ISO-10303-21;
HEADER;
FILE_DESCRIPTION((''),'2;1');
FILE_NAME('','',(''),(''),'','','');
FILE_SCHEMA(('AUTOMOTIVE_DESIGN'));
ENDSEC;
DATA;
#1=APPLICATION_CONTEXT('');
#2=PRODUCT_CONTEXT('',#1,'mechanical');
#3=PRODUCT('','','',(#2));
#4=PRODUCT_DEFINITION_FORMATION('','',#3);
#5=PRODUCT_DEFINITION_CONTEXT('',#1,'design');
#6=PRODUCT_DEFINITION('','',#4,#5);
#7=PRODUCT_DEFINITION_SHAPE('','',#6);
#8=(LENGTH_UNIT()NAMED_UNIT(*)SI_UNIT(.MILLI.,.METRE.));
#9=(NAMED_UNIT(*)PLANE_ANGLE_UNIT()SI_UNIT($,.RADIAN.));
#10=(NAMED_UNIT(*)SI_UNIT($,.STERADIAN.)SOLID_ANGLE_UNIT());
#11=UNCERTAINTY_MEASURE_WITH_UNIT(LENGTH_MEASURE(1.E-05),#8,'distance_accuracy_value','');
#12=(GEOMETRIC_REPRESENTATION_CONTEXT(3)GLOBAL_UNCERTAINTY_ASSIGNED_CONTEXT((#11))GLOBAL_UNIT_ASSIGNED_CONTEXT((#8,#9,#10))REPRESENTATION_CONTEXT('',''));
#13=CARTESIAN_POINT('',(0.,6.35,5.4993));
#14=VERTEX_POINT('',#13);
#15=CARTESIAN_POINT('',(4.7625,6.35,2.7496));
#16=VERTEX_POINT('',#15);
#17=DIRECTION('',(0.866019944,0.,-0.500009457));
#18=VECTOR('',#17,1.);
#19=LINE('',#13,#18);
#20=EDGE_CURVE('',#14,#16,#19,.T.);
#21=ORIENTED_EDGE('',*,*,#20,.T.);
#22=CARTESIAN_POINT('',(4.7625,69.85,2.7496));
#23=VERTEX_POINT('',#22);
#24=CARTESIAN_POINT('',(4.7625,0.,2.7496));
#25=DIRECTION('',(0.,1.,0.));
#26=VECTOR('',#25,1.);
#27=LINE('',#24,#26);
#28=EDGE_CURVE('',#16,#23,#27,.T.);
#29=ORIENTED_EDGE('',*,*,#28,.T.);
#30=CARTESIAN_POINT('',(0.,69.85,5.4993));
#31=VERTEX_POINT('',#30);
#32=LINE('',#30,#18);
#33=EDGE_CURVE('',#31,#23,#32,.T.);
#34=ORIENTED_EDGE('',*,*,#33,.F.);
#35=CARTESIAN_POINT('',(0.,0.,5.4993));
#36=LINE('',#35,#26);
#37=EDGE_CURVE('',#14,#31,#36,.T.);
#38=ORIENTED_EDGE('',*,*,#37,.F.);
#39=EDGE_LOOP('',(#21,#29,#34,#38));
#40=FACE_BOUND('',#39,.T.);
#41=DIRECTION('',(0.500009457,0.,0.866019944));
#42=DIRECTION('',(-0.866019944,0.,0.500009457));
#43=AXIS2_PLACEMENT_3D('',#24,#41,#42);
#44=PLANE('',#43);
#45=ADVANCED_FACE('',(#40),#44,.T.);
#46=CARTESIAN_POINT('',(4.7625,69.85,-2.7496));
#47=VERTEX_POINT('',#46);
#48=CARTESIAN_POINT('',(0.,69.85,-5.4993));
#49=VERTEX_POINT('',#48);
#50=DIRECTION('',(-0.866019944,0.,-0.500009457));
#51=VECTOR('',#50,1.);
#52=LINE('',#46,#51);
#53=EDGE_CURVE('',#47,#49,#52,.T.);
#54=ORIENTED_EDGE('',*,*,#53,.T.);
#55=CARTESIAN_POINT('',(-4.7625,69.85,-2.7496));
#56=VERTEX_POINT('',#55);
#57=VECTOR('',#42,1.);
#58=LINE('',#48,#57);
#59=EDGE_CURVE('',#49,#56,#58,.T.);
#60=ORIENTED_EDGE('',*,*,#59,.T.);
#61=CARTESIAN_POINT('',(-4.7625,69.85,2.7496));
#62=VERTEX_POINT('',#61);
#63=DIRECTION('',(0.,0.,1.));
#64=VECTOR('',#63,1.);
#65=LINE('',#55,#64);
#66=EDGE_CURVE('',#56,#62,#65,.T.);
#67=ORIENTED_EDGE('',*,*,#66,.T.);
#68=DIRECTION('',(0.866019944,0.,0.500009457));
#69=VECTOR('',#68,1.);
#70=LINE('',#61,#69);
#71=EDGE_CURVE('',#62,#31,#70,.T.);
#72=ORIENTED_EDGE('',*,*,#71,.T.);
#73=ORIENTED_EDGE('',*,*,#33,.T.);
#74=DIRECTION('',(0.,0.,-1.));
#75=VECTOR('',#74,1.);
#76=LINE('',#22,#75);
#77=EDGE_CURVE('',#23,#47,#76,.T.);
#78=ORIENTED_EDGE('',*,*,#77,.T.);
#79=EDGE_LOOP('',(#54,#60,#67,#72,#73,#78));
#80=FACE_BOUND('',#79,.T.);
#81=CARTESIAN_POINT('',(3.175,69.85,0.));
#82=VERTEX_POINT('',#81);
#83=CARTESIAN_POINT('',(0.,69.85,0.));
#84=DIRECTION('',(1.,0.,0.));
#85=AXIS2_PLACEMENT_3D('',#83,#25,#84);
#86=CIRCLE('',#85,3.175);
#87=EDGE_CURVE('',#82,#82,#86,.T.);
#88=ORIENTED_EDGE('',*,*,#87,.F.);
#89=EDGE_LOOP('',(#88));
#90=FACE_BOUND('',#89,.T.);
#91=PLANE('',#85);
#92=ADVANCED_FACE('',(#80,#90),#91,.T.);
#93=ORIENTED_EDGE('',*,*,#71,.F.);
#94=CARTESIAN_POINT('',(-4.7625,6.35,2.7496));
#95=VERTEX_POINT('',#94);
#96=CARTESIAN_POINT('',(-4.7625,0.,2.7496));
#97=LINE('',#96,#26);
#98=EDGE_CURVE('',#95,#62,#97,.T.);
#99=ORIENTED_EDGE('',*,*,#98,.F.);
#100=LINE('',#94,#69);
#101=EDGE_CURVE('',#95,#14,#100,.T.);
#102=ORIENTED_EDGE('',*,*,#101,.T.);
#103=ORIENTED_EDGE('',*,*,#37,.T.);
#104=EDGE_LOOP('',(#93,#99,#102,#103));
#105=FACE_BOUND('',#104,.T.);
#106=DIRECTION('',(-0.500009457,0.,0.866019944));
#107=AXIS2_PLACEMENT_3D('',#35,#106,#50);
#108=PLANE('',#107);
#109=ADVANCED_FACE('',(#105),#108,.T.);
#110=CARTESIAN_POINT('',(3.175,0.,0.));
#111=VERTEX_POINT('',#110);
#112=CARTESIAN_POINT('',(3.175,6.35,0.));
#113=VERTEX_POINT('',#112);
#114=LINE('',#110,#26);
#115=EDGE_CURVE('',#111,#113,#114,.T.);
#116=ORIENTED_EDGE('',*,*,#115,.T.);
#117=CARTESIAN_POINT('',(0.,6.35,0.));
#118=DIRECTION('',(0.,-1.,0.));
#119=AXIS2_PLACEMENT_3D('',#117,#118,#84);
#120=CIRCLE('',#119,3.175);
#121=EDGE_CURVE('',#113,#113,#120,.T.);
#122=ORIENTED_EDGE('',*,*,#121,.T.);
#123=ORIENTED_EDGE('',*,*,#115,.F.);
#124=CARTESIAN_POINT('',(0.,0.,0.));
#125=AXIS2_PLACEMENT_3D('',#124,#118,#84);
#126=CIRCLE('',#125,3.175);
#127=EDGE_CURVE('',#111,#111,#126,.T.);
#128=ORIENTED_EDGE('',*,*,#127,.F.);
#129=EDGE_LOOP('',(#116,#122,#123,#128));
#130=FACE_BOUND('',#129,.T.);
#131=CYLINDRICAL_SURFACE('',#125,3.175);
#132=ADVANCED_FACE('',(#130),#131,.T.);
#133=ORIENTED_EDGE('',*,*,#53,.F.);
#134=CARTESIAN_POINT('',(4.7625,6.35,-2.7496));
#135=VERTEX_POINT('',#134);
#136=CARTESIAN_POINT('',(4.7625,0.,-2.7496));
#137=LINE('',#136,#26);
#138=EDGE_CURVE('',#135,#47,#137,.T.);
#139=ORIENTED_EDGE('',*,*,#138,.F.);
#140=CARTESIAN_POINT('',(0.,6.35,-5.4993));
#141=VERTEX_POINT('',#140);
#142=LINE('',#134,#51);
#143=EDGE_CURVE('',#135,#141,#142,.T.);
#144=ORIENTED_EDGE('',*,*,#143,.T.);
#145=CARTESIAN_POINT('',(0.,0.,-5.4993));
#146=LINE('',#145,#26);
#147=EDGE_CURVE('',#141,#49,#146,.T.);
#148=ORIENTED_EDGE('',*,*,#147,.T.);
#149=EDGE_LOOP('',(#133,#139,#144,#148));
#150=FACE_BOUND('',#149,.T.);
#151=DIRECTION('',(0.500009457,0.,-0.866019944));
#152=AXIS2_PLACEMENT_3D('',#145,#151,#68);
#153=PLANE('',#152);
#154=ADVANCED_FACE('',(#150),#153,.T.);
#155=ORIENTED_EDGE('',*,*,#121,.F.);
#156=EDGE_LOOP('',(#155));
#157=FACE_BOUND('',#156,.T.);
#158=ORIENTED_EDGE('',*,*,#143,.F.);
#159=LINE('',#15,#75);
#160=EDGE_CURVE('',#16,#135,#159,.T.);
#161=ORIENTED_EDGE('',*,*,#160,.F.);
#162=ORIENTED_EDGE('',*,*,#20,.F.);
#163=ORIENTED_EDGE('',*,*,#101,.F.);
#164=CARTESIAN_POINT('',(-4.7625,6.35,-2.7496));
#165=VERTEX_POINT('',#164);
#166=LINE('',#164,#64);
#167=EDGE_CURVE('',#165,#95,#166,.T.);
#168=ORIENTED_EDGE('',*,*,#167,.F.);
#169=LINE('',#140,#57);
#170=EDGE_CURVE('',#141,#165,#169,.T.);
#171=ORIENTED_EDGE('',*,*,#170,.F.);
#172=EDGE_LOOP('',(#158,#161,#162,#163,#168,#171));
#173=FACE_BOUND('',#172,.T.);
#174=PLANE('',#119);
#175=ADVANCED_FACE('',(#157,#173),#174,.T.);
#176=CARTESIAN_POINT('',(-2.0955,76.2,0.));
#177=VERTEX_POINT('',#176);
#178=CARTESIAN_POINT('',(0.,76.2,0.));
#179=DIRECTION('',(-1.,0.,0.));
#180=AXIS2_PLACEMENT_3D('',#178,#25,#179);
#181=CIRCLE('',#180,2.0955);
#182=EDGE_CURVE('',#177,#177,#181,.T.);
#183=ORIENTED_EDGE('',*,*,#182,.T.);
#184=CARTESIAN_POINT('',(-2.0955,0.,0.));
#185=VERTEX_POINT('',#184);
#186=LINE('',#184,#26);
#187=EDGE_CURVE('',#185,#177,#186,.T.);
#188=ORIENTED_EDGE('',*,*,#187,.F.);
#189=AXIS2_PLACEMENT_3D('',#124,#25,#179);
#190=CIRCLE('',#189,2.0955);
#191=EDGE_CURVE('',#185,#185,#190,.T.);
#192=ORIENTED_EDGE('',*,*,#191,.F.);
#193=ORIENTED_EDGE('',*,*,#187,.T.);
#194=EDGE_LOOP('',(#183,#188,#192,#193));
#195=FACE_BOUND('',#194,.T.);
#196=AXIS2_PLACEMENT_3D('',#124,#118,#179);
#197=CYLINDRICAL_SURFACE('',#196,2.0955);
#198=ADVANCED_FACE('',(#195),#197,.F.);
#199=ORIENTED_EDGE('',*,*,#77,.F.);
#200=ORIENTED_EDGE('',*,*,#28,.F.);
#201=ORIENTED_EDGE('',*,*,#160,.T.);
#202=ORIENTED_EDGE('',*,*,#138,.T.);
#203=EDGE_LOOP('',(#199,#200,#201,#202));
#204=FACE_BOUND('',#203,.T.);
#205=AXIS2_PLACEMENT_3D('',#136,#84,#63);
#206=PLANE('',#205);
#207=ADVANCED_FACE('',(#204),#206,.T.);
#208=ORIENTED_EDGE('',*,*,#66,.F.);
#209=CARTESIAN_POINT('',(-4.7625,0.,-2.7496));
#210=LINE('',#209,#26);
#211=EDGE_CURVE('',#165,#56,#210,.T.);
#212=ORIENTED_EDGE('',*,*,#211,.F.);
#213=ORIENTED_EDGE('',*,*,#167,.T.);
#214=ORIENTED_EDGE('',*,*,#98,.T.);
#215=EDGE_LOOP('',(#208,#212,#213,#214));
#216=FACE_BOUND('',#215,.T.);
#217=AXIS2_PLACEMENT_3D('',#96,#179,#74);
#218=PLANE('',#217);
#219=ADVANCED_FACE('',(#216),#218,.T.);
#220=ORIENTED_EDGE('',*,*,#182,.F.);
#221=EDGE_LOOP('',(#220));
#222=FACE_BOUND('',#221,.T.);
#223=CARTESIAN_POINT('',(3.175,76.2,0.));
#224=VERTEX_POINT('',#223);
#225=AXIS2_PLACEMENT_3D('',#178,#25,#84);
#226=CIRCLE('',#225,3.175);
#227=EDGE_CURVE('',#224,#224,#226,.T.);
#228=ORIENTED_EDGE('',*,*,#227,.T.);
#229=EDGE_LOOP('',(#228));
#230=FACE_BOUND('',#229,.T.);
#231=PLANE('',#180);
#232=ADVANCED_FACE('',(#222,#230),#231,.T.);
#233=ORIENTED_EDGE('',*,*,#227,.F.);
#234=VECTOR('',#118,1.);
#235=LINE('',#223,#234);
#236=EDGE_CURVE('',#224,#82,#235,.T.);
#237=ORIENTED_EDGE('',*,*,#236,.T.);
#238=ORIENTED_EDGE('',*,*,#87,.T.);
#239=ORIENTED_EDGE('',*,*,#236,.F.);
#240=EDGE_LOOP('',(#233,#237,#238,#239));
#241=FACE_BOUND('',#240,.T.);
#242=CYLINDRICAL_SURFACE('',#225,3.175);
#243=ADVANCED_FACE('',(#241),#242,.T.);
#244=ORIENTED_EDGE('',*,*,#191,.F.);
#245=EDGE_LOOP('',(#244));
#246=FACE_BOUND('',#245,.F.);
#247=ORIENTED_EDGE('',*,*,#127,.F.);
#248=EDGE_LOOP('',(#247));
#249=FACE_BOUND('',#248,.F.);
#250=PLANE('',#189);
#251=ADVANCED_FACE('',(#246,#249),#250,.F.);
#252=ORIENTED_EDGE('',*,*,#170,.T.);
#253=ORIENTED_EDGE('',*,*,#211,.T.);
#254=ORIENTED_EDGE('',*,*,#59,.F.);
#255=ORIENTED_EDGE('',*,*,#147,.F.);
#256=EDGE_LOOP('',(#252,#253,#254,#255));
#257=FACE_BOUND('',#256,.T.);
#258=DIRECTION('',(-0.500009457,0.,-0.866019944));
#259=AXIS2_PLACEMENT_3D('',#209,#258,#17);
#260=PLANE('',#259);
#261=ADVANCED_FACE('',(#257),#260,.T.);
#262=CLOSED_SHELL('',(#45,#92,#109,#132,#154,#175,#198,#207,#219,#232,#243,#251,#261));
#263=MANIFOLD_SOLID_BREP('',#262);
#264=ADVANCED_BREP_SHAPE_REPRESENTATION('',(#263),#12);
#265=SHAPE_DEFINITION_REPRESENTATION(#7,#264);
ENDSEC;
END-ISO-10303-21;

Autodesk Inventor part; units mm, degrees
ref_plane "YZ Plane" through (0, 0, 0) normal (1, 0, 0) x (0, 1, 0)
ref_plane "XZ Plane" through (0, 0, 0) normal (0, 1, 0) x (-1, 0, 0)
ref_plane "XY Plane" through (0, 0, 0) normal (0, 0, 1) x (1, 0, 0)
sketch "Sketch1" plane through (0, 0, 0) normal (0, 1, 0) x (-1, 0, 0)
  line L0 (0, -5.4993) -> (-4.7625, -2.7496)
  line L1 (-4.7625, -2.7496) -> (-4.7625, 2.7496)
  line L2 (-4.7625, 2.7496) -> (0, 5.4993)
  line L3 (0, 5.4993) -> (4.7625, 2.7496)
  line L4 (4.7625, 2.7496) -> (4.7625, -2.7496)
  line L5 (4.7625, -2.7496) -> (0, -5.4993)
  circle A0 centre (0, 0) radius 2.0955
  dimension "d0" = 9.525
  dimension "d9" = 4.191
extrude "Extrusion1" add sketch "Sketch1" along normal blind 76.2
sketch "Sketch2" plane through (0, 76.2, 0) normal (0, 1, 0) x (1, 0, 0)
  circle A0 centre (0, 0) radius 3.175
  line L0 (-4.7625, 2.7496) -> (-4.7625, -2.7496) projected
  line L1 (-4.7625, -2.7496) -> (0, -5.4993) projected
  line L2 (0, -5.4993) -> (4.7625, -2.7496) projected
  line L3 (4.7625, -2.7496) -> (4.7625, 2.7496) projected
  line L4 (4.7625, 2.7496) -> (0, 5.4993) projected
  line L5 (0, 5.4993) -> (-4.7625, 2.7496) projected
  dimension "d3" = 6.35
extrude "Extrusion2" cut sketch "Sketch2" against normal blind 6.35
sketch "Sketch3" plane through (0, 0, 0) normal (0, -1, 0) x (1, 0, 0)
  circle A0 centre (0, 0) radius 3.175
  line L0 (-4.7625, -2.7496) -> (-4.7625, 2.7496) projected
  line L1 (0, -5.4993) -> (-4.7625, -2.7496) projected
  line L2 (4.7625, -2.7496) -> (0, -5.4993) projected
  line L3 (4.7625, 2.7496) -> (4.7625, -2.7496) projected
  line L4 (0, 5.4993) -> (4.7625, 2.7496) projected
  line L5 (-4.7625, 2.7496) -> (0, 5.4993) projected
  dimension "d6" = 6.35
extrude "Extrusion3" cut sketch "Sketch3" against normal blind 6.35
properties part number "PlanetShaft" material "Aluminum 6061"
